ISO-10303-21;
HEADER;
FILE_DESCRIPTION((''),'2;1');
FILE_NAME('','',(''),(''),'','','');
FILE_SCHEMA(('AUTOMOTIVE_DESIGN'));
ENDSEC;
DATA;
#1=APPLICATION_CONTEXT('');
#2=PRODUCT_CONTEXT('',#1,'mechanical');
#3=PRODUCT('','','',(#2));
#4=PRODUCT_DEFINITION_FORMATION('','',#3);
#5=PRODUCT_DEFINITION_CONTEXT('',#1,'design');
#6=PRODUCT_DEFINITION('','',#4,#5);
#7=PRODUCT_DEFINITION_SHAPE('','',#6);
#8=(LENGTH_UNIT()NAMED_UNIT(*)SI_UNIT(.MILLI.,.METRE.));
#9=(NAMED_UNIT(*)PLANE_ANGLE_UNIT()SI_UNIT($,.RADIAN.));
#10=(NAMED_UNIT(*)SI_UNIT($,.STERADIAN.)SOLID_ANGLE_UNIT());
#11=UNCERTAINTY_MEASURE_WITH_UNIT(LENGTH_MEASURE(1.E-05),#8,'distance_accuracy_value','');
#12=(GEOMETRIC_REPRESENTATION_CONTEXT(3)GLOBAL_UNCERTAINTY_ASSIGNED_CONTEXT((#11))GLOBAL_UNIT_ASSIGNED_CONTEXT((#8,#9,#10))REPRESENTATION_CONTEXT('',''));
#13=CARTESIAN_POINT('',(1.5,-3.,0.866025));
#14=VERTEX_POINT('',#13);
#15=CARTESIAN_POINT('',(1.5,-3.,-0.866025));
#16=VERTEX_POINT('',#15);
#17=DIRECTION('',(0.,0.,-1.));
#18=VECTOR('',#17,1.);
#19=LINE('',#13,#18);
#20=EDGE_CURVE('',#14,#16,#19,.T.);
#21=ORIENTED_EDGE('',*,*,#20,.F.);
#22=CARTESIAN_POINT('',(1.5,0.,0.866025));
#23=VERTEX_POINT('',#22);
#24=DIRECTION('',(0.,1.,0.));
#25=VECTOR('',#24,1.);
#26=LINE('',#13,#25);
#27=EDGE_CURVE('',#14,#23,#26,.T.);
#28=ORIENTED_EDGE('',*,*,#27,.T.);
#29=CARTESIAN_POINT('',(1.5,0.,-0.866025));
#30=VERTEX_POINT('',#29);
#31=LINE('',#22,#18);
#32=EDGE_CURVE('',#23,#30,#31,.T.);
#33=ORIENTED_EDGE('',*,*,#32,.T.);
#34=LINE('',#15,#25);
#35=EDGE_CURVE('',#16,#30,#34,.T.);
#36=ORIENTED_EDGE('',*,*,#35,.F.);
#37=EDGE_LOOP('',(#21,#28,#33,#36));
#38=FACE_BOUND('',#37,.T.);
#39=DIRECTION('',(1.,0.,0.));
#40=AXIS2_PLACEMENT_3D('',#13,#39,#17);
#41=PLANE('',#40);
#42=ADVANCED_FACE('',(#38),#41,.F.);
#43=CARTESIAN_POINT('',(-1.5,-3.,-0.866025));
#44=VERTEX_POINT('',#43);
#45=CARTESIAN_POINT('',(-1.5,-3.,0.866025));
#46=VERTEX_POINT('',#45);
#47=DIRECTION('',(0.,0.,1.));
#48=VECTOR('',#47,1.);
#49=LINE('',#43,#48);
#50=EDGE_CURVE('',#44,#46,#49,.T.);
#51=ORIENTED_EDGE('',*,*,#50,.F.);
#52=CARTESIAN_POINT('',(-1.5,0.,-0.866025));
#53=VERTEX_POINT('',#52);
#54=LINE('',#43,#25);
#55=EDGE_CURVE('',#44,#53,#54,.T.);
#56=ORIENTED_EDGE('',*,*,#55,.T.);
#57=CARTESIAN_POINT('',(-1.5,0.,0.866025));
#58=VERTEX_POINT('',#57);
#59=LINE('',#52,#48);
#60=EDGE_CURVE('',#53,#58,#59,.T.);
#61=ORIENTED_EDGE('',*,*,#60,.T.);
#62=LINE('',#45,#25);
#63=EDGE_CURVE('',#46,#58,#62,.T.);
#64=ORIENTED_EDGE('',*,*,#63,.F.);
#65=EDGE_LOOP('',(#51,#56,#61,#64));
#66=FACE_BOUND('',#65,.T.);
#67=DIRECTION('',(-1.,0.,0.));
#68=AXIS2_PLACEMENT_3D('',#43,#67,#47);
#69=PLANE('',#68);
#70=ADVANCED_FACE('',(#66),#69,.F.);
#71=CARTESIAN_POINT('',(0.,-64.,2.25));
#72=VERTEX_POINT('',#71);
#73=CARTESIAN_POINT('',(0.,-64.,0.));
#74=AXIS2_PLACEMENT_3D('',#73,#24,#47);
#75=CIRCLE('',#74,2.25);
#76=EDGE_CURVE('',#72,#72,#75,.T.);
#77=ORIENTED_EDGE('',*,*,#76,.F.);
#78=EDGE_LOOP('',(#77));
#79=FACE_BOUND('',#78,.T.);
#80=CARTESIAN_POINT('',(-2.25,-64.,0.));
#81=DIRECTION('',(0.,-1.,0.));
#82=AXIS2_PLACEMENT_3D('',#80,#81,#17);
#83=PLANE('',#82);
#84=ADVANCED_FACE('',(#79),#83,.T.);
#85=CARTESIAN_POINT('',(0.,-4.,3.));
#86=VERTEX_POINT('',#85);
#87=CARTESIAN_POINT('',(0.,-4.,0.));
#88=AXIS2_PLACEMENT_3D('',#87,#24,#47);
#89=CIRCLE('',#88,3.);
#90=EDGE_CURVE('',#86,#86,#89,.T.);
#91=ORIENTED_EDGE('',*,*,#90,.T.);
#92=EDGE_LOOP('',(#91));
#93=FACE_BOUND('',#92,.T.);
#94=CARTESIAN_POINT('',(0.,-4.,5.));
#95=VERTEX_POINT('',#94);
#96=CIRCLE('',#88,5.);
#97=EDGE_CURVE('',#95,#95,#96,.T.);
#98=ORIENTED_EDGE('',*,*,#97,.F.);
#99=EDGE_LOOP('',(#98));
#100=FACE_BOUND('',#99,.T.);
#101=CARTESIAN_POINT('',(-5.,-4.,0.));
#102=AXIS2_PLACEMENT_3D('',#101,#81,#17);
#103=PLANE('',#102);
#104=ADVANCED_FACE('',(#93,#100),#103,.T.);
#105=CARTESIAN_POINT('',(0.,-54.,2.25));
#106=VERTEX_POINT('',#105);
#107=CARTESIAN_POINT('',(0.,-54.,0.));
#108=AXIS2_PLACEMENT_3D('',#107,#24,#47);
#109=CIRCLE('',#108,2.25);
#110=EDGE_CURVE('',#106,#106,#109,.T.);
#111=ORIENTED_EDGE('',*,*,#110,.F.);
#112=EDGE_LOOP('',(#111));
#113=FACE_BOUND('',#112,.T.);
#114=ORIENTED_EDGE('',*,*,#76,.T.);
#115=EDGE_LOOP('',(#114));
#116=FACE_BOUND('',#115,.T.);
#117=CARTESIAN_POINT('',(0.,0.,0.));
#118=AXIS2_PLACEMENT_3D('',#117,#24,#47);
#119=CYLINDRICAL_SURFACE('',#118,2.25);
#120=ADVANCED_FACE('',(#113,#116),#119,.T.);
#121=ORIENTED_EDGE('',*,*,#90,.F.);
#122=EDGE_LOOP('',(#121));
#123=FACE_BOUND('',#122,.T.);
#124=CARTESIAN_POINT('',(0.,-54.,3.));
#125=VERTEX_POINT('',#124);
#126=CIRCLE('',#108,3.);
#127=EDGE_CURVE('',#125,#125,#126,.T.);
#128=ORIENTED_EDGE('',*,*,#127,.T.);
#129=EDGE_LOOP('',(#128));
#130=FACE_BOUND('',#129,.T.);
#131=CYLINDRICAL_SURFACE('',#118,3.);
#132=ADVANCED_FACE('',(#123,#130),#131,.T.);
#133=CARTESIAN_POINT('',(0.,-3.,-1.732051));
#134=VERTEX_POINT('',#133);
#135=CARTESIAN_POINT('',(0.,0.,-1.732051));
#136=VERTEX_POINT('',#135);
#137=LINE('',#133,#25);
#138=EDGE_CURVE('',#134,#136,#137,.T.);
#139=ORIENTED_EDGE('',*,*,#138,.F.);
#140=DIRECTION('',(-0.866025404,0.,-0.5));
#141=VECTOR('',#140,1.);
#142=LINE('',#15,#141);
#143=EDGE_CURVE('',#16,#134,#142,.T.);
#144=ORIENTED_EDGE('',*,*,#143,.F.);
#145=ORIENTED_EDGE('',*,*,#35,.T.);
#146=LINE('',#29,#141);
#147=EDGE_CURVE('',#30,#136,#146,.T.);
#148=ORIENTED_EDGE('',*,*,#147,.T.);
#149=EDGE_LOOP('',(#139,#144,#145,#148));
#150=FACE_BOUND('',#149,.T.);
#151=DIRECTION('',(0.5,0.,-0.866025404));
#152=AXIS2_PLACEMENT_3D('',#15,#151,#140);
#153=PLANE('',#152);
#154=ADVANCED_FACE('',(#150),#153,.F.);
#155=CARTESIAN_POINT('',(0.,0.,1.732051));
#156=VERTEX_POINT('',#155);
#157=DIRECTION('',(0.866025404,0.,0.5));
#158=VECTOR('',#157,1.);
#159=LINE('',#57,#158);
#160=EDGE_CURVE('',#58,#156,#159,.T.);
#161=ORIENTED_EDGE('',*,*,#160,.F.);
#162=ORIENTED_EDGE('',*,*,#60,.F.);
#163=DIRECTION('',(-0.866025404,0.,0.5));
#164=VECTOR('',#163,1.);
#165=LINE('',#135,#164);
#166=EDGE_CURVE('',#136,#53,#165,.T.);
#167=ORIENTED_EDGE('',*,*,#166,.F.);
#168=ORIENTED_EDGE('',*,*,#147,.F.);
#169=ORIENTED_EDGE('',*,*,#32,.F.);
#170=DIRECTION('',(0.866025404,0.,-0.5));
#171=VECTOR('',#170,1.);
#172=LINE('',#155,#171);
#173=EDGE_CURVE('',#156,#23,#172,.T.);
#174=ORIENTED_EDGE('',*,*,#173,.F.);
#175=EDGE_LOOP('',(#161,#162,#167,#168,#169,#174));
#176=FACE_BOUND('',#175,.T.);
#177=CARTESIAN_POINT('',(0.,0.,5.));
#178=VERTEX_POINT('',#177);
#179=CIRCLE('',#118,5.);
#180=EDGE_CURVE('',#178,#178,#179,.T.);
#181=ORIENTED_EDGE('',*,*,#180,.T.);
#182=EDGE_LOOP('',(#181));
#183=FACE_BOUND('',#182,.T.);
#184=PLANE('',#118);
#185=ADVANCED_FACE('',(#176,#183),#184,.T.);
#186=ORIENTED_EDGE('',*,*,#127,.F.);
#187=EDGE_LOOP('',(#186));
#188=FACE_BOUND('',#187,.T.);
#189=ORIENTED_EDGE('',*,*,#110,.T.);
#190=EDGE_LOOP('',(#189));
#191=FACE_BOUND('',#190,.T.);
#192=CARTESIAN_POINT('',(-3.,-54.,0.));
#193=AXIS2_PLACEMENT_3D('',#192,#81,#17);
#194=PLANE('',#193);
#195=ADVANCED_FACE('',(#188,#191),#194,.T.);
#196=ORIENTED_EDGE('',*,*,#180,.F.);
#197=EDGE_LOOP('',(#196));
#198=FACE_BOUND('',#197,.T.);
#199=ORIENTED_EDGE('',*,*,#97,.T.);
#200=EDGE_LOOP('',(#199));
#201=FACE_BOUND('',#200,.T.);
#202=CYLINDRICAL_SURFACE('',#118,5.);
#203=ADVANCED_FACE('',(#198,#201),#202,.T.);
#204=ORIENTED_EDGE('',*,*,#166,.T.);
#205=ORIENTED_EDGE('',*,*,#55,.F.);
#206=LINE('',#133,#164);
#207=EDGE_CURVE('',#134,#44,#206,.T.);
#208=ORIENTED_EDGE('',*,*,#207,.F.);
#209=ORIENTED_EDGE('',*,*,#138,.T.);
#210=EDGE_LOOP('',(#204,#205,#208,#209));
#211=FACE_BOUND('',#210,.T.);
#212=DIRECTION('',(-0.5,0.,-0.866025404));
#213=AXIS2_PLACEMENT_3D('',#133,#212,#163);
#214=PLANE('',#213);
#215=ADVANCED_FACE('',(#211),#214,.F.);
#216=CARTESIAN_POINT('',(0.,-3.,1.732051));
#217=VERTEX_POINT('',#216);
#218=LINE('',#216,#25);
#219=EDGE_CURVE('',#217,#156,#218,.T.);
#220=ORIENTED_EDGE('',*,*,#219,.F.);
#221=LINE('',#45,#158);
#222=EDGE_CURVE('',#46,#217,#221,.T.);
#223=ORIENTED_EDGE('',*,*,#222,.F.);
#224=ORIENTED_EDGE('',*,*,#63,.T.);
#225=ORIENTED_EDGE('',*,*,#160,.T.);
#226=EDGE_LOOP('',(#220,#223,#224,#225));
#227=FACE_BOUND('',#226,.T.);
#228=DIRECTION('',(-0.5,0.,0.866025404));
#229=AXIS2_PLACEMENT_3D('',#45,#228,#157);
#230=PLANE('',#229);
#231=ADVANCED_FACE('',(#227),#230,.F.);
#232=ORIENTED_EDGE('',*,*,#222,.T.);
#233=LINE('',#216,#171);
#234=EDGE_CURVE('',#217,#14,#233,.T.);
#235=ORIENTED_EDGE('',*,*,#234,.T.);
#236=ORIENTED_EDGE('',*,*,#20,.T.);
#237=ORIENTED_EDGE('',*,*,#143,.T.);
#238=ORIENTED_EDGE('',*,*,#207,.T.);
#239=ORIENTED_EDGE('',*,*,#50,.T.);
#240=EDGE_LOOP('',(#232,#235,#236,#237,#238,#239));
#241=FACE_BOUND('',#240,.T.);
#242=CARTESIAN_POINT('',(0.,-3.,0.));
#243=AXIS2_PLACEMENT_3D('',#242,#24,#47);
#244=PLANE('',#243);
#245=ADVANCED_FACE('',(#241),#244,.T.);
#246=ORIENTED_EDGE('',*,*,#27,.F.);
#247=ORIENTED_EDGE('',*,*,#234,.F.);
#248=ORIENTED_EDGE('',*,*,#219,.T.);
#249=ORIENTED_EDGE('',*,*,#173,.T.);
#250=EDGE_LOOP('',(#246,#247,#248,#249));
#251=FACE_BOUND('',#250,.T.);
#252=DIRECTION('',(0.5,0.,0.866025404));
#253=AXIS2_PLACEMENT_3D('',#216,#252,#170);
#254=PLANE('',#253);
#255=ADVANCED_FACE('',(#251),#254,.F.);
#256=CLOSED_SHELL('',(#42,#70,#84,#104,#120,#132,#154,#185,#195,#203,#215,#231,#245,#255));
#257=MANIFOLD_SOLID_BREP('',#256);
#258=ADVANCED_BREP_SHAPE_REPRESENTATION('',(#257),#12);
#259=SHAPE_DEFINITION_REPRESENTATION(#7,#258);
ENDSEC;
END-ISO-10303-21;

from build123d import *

# Parameters (mm, degrees)
CUT_EXTRUDE1_DEPTH = 3


with BuildPart() as part:
    # Sketch1 → Revolve1 (revolve)
    with BuildSketch(Plane.XY, mode=Mode.PRIVATE) as revolve1_sk:
        Polygon((0, 0), (-5, 0), (-5, -4), (-3, -4), (-3, -54), (-2.25, -54), (-2.25, -64), (0, -64), align=None)
    revolve(revolve1_sk.sketch.rotate(Axis((0, 0, 0), (0, -1, 0)), 270), axis=Axis((0, 0, 0), (0, -1, 0)))

    # Sketch2 → Cut-Extrude1 (cut)
    with BuildSketch(Plane(origin=(0, 0, 0), x_dir=(1, 0, 0), z_dir=(0, 1, 0))):
        Polygon((1.5, 0.866025404), (0, 1.732050808), (-1.5, 0.866025404), (-1.5, -0.866025404), (0, -1.732050808), (1.5, -0.866025404), align=None)
    extrude(amount=-CUT_EXTRUDE1_DEPTH, mode=Mode.SUBTRACT)


solid = part.part
